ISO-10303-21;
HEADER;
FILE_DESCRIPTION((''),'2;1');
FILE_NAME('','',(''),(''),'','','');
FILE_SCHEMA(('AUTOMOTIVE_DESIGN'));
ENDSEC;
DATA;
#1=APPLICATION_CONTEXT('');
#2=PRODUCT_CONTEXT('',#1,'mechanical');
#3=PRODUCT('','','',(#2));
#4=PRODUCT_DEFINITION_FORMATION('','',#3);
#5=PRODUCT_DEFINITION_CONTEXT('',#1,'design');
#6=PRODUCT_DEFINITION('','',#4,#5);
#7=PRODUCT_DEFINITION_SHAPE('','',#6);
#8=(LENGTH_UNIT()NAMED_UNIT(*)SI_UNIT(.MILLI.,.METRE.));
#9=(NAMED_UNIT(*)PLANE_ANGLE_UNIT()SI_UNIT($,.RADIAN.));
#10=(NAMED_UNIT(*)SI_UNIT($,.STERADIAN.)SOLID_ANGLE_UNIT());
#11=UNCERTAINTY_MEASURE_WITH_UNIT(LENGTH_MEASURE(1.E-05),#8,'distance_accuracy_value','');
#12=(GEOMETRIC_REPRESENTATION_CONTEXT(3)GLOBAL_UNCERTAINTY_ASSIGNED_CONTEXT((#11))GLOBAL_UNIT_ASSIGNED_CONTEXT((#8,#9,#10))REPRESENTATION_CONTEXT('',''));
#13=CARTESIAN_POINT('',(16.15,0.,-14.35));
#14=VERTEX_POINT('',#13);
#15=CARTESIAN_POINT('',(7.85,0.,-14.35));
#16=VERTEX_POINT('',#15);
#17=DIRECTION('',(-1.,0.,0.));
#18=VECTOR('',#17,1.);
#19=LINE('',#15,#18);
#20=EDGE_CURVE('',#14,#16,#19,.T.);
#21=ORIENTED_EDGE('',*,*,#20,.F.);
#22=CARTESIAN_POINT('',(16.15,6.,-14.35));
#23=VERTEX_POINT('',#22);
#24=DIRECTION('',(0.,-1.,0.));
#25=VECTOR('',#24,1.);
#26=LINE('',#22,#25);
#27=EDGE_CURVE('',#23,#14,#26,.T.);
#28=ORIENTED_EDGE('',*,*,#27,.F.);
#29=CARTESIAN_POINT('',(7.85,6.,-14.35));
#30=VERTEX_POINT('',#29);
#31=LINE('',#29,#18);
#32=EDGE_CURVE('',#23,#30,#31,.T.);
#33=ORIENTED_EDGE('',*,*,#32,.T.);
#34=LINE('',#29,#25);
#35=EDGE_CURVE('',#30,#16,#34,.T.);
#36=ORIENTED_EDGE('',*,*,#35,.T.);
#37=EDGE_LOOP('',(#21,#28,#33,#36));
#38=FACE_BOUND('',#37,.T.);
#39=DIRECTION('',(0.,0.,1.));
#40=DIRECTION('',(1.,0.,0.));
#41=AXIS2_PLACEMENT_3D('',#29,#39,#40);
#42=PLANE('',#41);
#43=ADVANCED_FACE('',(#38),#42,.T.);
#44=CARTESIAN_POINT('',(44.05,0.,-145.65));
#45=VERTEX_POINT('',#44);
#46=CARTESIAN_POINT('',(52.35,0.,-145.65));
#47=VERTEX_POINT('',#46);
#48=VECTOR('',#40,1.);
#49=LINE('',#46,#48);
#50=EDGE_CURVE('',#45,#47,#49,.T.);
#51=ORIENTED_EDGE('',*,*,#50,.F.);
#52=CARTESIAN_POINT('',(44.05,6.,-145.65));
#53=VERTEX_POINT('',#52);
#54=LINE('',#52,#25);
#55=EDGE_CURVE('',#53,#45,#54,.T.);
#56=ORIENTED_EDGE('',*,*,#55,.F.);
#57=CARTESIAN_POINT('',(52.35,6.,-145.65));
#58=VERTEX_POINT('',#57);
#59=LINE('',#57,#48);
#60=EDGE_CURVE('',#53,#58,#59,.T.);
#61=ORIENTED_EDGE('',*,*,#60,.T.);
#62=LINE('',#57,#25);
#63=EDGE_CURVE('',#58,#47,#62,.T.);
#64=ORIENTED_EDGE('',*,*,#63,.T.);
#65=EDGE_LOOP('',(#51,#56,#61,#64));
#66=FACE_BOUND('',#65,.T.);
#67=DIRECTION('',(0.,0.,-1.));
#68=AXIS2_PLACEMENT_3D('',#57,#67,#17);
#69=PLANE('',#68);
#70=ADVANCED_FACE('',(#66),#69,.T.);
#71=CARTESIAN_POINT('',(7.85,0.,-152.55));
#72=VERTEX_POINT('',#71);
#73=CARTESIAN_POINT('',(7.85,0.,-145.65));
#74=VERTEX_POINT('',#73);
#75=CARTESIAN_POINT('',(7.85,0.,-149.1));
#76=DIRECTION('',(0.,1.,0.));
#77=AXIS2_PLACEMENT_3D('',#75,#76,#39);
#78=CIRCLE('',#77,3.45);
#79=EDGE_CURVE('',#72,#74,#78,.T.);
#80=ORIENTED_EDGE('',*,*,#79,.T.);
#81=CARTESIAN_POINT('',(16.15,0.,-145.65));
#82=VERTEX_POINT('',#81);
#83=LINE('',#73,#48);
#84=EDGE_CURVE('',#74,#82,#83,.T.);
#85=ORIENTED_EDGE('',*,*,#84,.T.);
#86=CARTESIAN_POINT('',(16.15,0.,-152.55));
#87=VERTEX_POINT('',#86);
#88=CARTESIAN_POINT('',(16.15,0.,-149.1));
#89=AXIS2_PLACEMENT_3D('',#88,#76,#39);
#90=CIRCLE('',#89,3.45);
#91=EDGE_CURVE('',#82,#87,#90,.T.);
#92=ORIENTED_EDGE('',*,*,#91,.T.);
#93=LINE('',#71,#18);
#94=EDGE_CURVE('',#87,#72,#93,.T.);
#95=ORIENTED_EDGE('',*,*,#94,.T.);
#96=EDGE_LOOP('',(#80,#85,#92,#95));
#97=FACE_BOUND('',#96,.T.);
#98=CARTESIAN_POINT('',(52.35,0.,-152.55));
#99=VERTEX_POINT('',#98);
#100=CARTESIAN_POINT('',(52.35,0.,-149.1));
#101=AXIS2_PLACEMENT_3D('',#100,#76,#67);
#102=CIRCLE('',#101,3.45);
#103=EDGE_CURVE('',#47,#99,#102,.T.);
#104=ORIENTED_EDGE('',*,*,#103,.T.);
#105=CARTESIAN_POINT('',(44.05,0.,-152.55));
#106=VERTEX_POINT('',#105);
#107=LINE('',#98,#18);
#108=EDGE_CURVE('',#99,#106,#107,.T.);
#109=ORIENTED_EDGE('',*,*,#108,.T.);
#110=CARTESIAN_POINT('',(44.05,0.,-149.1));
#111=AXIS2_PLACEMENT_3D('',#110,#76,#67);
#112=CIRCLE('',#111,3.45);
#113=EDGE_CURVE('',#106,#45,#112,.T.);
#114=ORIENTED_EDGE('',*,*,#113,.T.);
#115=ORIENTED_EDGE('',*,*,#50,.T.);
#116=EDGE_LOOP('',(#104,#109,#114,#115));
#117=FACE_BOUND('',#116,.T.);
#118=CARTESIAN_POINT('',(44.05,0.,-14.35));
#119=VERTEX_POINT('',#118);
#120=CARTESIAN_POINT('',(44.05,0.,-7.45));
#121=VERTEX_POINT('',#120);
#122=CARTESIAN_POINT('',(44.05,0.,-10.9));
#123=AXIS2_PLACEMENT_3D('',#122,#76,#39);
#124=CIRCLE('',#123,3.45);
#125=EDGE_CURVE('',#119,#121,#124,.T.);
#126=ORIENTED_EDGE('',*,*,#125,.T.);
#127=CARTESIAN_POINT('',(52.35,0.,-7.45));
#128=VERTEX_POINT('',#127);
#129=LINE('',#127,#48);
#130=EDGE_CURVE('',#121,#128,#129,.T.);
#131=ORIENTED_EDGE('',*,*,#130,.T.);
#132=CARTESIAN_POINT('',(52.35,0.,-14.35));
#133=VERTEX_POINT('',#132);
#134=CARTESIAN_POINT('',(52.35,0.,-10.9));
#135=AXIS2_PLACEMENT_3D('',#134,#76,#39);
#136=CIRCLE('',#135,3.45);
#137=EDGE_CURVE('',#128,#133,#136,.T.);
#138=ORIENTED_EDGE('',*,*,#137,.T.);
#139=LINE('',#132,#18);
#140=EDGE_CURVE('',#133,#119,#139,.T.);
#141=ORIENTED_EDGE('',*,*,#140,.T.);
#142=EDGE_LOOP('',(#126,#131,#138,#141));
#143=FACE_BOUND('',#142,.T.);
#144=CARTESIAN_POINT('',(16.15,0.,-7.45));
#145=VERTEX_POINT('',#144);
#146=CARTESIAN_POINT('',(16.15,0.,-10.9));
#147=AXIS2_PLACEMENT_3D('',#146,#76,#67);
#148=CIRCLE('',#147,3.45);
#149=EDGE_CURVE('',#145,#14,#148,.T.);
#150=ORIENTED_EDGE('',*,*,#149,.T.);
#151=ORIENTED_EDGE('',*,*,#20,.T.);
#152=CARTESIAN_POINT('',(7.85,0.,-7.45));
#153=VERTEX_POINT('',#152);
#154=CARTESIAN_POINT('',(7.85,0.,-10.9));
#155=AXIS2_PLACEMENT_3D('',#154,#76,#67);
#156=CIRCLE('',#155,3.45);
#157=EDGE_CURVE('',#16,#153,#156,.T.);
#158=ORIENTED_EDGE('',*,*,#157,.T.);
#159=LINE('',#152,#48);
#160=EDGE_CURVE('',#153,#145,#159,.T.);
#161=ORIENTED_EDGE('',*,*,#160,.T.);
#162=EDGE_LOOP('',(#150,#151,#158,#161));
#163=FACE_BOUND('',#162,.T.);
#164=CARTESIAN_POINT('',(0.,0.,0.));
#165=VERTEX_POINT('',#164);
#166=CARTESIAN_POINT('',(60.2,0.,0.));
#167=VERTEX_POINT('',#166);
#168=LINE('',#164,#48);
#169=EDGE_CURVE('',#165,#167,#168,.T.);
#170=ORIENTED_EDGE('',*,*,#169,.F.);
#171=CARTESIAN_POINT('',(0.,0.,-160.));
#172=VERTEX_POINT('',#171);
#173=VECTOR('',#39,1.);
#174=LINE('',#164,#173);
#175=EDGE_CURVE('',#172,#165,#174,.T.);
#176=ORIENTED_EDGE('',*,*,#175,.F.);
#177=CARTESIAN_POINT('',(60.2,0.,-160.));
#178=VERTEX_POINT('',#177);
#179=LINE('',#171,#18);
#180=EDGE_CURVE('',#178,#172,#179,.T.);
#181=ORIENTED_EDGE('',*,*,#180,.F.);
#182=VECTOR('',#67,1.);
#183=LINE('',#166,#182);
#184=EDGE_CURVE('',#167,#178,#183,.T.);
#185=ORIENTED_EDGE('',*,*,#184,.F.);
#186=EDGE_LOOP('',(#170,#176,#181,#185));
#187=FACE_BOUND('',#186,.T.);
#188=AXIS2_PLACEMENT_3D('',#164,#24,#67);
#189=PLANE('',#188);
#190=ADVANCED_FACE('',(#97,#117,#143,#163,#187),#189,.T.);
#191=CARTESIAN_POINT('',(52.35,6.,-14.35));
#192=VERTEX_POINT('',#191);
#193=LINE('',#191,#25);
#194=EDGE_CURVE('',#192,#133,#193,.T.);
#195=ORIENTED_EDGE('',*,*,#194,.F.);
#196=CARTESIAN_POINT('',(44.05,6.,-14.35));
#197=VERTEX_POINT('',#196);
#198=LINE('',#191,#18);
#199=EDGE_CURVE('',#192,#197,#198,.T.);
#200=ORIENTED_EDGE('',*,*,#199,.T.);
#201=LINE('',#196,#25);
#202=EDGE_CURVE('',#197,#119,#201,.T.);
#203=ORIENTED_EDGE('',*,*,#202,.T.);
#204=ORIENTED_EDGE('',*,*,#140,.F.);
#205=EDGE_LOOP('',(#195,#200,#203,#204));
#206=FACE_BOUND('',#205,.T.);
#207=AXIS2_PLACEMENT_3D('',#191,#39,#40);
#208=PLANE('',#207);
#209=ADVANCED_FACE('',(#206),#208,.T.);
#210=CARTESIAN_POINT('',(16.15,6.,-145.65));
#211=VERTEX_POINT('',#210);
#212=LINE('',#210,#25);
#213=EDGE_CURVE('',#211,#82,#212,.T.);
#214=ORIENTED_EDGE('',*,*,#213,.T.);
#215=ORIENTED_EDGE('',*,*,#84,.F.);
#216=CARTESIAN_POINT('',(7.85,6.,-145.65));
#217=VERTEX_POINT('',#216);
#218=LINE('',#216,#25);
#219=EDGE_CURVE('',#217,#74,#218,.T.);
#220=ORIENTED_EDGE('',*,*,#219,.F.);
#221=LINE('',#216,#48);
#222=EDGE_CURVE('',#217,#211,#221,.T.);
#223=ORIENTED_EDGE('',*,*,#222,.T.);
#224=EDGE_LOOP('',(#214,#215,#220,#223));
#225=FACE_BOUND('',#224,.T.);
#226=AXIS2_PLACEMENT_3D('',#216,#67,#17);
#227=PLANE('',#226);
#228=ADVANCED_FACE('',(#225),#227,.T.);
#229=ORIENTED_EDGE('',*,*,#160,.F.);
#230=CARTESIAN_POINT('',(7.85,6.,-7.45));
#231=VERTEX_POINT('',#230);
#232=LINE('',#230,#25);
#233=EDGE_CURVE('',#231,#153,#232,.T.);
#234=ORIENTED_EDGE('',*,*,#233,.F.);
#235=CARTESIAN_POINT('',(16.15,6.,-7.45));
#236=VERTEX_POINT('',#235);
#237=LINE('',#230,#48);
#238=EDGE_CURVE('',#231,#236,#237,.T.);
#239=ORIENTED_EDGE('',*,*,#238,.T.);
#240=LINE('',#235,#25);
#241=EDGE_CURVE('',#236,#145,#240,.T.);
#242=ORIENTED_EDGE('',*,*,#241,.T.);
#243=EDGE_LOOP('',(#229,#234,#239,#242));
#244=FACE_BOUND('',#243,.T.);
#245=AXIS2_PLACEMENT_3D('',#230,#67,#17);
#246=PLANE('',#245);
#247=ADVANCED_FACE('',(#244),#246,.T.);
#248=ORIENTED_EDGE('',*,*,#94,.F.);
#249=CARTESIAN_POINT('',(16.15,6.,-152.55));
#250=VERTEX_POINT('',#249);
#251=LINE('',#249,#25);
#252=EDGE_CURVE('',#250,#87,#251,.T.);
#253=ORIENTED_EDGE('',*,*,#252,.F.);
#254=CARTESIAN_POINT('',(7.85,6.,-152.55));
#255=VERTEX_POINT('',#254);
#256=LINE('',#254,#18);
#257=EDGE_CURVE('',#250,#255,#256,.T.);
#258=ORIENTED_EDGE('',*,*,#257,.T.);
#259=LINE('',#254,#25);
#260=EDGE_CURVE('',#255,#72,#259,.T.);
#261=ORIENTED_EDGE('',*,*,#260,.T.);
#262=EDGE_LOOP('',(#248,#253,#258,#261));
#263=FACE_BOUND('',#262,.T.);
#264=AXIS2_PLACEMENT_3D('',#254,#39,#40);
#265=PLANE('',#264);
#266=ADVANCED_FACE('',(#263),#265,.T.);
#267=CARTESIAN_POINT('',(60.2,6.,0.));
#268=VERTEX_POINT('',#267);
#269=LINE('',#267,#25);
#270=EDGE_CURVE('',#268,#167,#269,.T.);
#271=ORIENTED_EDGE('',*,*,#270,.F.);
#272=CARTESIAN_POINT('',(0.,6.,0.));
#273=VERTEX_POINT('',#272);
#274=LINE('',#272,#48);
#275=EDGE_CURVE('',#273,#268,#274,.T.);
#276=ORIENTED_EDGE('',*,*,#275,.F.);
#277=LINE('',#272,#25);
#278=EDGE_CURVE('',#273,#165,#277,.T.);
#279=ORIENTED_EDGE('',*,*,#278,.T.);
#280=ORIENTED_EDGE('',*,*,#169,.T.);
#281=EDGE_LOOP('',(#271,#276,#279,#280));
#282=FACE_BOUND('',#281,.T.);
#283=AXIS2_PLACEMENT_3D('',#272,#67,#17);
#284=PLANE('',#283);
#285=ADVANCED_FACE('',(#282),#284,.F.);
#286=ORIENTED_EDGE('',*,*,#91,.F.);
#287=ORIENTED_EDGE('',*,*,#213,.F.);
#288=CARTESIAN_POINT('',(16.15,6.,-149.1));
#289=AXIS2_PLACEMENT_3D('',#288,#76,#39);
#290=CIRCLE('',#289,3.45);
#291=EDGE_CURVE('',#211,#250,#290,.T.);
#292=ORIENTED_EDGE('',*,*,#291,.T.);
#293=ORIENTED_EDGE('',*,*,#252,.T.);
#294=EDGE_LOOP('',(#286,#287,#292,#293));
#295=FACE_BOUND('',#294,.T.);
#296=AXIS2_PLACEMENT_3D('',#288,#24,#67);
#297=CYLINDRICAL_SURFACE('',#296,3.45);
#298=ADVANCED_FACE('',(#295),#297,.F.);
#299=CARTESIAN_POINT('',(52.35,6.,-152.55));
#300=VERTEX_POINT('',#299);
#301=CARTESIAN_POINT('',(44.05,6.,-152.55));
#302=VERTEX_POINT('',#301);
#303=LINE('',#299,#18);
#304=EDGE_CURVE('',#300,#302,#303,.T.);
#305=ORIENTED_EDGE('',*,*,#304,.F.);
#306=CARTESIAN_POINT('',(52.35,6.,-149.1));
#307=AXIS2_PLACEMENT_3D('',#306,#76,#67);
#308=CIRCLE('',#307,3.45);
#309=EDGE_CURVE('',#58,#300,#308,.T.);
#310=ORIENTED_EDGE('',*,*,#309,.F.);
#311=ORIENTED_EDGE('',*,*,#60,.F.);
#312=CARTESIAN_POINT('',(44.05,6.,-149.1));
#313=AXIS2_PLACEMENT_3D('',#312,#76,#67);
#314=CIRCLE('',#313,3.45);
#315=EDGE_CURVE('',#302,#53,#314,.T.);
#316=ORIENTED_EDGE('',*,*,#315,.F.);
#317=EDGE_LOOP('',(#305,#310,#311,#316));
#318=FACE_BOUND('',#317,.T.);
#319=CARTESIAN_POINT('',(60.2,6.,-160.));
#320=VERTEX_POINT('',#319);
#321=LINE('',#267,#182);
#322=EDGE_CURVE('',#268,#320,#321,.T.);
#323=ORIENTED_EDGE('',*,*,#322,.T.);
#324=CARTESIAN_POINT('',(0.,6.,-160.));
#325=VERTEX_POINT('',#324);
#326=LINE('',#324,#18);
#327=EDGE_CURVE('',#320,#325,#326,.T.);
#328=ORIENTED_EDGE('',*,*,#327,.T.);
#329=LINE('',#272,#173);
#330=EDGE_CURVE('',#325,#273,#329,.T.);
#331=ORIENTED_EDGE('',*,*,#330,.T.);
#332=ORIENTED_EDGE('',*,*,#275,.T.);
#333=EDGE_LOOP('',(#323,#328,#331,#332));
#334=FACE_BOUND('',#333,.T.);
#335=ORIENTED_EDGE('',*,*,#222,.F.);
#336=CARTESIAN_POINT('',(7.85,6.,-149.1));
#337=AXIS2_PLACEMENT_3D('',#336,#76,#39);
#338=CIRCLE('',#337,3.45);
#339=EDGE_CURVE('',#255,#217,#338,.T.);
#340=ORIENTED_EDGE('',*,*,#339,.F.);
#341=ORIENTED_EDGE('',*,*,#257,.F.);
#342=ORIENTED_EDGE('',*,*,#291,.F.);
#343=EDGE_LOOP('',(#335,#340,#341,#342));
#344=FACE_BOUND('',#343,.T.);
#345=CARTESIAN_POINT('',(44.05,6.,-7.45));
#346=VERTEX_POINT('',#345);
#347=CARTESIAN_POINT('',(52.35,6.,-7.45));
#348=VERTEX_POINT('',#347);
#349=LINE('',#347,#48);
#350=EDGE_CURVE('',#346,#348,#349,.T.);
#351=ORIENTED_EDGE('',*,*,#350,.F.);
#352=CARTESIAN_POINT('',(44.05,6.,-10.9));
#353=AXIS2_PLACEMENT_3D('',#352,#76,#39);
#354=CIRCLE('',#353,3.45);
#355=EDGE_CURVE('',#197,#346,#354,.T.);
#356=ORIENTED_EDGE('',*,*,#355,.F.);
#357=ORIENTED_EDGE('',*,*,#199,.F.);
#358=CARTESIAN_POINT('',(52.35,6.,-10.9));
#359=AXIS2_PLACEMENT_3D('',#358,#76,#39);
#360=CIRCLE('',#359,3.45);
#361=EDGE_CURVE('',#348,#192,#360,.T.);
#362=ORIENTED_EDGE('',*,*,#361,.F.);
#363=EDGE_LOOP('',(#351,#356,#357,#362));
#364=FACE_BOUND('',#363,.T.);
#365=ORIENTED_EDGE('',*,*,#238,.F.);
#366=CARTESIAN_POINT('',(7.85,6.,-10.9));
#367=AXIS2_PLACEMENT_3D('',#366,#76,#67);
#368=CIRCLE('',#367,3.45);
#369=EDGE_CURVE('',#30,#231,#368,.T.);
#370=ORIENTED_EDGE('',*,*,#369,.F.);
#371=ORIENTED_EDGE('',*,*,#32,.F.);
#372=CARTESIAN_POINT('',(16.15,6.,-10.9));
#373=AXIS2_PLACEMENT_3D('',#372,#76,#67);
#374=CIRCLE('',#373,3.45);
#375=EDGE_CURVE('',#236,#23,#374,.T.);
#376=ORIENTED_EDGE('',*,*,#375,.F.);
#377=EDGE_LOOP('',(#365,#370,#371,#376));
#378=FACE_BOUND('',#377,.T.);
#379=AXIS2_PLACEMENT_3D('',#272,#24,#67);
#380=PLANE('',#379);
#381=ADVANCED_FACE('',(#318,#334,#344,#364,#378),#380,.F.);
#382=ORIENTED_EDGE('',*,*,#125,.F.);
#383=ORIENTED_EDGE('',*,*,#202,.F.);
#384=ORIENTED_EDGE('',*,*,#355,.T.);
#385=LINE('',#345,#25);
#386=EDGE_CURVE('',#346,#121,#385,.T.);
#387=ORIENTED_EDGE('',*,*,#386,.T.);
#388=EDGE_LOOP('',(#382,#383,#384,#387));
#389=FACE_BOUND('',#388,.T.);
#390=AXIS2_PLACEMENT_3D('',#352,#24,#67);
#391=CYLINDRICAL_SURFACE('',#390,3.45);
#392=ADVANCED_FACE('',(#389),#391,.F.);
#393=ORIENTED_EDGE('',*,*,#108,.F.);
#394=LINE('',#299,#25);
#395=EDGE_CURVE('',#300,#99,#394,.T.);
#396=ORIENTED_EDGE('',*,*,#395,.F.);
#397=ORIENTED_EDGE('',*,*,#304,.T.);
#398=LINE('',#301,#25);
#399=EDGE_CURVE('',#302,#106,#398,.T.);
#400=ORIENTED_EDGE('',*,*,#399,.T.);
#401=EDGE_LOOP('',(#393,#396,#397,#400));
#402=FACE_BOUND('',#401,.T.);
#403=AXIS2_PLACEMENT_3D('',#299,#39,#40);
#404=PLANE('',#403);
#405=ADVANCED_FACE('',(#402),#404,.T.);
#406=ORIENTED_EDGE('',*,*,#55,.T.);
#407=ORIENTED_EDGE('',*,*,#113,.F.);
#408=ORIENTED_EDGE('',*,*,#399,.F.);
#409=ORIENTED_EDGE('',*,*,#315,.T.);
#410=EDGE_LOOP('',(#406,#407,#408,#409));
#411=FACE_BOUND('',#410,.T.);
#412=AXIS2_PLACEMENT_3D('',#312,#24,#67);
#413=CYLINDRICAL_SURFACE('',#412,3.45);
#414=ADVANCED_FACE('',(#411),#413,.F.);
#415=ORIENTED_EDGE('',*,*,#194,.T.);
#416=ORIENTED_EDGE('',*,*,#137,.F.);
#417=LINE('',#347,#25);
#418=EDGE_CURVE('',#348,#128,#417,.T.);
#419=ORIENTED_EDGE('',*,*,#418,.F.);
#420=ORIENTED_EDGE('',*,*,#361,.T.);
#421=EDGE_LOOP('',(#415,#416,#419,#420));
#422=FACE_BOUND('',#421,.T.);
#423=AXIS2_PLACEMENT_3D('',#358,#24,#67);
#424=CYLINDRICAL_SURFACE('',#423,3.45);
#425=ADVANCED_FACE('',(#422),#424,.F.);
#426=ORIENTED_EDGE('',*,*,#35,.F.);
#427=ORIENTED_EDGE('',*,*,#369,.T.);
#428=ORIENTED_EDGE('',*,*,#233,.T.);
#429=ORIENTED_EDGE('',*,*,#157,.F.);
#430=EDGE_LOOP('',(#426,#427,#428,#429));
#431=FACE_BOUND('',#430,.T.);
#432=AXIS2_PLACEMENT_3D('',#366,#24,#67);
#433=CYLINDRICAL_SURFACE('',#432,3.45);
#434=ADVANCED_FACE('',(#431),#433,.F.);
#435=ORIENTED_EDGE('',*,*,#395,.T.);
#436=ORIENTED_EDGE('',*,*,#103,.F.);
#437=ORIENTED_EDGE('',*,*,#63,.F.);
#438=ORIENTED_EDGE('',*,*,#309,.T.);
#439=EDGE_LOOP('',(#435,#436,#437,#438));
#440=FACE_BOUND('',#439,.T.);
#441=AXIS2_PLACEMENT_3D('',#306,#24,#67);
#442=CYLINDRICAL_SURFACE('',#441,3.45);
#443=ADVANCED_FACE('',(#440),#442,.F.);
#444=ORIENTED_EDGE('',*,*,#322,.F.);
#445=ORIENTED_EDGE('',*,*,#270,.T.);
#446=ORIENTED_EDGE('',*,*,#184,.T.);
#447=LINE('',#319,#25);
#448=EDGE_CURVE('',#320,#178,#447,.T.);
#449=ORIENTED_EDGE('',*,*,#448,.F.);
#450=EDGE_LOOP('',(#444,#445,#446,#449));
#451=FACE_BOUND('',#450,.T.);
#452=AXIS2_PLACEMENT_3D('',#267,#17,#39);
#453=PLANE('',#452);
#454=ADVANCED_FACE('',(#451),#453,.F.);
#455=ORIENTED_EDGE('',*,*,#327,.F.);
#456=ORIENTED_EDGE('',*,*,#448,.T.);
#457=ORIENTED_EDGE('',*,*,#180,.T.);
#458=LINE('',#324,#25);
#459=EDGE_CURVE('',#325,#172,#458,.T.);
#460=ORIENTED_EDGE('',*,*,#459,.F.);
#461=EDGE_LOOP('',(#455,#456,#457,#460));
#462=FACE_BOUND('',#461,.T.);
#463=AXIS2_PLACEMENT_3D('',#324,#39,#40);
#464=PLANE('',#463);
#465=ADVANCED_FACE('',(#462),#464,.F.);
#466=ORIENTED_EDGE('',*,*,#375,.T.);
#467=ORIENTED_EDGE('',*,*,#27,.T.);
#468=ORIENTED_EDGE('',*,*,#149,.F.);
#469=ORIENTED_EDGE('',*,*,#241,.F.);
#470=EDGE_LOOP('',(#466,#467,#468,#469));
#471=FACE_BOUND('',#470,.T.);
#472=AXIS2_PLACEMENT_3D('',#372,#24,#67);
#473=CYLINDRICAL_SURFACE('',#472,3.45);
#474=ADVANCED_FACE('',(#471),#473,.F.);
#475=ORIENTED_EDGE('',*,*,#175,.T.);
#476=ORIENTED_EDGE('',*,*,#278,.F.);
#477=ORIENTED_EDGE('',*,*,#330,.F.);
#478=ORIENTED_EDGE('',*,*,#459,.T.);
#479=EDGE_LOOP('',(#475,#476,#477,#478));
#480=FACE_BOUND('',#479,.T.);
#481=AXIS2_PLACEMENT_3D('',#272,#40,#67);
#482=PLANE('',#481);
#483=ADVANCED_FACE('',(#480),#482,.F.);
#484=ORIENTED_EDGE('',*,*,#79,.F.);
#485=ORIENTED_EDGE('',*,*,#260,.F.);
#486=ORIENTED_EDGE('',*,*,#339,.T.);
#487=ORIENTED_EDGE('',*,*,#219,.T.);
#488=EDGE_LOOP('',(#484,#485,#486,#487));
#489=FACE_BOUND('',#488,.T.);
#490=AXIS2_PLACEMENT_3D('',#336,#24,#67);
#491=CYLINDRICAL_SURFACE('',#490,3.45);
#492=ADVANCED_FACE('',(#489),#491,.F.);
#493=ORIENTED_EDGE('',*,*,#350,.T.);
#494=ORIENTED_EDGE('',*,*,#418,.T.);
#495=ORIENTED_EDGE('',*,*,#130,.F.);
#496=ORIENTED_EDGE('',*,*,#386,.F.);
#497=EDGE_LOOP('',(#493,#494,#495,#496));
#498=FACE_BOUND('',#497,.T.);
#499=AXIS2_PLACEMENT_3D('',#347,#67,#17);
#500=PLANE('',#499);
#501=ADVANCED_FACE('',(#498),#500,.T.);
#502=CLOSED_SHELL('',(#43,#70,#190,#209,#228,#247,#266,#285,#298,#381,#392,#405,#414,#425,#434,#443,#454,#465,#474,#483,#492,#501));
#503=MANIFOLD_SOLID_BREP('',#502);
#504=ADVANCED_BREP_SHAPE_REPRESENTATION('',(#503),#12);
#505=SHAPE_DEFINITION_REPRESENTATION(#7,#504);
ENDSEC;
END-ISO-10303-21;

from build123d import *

# Parameters (mm, degrees)
SKETCH1_W           = 60.2
SKETCH1_H           = 160
BOSS_EXTRUDE1_DEPTH = 6


with BuildPart() as part:
    # Sketch1 → Boss-Extrude1 (new body)
    with BuildSketch(Plane(origin=(0, 0, 0), x_dir=(1, 0, 0), z_dir=(0, 1, 0))):
        with Locations((30.1, 80)):
            Rectangle(SKETCH1_W, SKETCH1_H)
        with BuildLine():
            Line((7.85, 152.55), (16.15, 152.55))
            ThreePointArc((16.15, 152.55), (19.6, 149.1), (16.15, 145.65))
            Line((16.15, 145.65), (7.85, 145.65))
            ThreePointArc((7.85, 145.65), (4.4, 149.1), (7.85, 152.55))
        make_face(mode=Mode.SUBTRACT)
        with BuildLine():
            Line((52.35, 145.65), (44.05, 145.65))
            ThreePointArc((44.05, 145.65), (40.6, 149.1), (44.05, 152.55))
            Line((44.05, 152.55), (52.35, 152.55))
            ThreePointArc((52.35, 152.55), (55.8, 149.1), (52.35, 145.65))
        make_face(mode=Mode.SUBTRACT)
        with BuildLine():
            Line((52.35, 7.45), (44.05, 7.45))
            ThreePointArc((44.05, 7.45), (40.6, 10.9), (44.05, 14.35))
            Line((44.05, 14.35), (52.35, 14.35))
            ThreePointArc((52.35, 14.35), (55.8, 10.9), (52.35, 7.45))
        make_face(mode=Mode.SUBTRACT)
        with BuildLine():
            Line((7.85, 14.35), (16.15, 14.35))
            ThreePointArc((16.15, 14.35), (19.6, 10.9), (16.15, 7.45))
            Line((16.15, 7.45), (7.85, 7.45))
            ThreePointArc((7.85, 7.45), (4.4, 10.9), (7.85, 14.35))
        make_face(mode=Mode.SUBTRACT)
    extrude(amount=BOSS_EXTRUDE1_DEPTH)


solid = part.part
